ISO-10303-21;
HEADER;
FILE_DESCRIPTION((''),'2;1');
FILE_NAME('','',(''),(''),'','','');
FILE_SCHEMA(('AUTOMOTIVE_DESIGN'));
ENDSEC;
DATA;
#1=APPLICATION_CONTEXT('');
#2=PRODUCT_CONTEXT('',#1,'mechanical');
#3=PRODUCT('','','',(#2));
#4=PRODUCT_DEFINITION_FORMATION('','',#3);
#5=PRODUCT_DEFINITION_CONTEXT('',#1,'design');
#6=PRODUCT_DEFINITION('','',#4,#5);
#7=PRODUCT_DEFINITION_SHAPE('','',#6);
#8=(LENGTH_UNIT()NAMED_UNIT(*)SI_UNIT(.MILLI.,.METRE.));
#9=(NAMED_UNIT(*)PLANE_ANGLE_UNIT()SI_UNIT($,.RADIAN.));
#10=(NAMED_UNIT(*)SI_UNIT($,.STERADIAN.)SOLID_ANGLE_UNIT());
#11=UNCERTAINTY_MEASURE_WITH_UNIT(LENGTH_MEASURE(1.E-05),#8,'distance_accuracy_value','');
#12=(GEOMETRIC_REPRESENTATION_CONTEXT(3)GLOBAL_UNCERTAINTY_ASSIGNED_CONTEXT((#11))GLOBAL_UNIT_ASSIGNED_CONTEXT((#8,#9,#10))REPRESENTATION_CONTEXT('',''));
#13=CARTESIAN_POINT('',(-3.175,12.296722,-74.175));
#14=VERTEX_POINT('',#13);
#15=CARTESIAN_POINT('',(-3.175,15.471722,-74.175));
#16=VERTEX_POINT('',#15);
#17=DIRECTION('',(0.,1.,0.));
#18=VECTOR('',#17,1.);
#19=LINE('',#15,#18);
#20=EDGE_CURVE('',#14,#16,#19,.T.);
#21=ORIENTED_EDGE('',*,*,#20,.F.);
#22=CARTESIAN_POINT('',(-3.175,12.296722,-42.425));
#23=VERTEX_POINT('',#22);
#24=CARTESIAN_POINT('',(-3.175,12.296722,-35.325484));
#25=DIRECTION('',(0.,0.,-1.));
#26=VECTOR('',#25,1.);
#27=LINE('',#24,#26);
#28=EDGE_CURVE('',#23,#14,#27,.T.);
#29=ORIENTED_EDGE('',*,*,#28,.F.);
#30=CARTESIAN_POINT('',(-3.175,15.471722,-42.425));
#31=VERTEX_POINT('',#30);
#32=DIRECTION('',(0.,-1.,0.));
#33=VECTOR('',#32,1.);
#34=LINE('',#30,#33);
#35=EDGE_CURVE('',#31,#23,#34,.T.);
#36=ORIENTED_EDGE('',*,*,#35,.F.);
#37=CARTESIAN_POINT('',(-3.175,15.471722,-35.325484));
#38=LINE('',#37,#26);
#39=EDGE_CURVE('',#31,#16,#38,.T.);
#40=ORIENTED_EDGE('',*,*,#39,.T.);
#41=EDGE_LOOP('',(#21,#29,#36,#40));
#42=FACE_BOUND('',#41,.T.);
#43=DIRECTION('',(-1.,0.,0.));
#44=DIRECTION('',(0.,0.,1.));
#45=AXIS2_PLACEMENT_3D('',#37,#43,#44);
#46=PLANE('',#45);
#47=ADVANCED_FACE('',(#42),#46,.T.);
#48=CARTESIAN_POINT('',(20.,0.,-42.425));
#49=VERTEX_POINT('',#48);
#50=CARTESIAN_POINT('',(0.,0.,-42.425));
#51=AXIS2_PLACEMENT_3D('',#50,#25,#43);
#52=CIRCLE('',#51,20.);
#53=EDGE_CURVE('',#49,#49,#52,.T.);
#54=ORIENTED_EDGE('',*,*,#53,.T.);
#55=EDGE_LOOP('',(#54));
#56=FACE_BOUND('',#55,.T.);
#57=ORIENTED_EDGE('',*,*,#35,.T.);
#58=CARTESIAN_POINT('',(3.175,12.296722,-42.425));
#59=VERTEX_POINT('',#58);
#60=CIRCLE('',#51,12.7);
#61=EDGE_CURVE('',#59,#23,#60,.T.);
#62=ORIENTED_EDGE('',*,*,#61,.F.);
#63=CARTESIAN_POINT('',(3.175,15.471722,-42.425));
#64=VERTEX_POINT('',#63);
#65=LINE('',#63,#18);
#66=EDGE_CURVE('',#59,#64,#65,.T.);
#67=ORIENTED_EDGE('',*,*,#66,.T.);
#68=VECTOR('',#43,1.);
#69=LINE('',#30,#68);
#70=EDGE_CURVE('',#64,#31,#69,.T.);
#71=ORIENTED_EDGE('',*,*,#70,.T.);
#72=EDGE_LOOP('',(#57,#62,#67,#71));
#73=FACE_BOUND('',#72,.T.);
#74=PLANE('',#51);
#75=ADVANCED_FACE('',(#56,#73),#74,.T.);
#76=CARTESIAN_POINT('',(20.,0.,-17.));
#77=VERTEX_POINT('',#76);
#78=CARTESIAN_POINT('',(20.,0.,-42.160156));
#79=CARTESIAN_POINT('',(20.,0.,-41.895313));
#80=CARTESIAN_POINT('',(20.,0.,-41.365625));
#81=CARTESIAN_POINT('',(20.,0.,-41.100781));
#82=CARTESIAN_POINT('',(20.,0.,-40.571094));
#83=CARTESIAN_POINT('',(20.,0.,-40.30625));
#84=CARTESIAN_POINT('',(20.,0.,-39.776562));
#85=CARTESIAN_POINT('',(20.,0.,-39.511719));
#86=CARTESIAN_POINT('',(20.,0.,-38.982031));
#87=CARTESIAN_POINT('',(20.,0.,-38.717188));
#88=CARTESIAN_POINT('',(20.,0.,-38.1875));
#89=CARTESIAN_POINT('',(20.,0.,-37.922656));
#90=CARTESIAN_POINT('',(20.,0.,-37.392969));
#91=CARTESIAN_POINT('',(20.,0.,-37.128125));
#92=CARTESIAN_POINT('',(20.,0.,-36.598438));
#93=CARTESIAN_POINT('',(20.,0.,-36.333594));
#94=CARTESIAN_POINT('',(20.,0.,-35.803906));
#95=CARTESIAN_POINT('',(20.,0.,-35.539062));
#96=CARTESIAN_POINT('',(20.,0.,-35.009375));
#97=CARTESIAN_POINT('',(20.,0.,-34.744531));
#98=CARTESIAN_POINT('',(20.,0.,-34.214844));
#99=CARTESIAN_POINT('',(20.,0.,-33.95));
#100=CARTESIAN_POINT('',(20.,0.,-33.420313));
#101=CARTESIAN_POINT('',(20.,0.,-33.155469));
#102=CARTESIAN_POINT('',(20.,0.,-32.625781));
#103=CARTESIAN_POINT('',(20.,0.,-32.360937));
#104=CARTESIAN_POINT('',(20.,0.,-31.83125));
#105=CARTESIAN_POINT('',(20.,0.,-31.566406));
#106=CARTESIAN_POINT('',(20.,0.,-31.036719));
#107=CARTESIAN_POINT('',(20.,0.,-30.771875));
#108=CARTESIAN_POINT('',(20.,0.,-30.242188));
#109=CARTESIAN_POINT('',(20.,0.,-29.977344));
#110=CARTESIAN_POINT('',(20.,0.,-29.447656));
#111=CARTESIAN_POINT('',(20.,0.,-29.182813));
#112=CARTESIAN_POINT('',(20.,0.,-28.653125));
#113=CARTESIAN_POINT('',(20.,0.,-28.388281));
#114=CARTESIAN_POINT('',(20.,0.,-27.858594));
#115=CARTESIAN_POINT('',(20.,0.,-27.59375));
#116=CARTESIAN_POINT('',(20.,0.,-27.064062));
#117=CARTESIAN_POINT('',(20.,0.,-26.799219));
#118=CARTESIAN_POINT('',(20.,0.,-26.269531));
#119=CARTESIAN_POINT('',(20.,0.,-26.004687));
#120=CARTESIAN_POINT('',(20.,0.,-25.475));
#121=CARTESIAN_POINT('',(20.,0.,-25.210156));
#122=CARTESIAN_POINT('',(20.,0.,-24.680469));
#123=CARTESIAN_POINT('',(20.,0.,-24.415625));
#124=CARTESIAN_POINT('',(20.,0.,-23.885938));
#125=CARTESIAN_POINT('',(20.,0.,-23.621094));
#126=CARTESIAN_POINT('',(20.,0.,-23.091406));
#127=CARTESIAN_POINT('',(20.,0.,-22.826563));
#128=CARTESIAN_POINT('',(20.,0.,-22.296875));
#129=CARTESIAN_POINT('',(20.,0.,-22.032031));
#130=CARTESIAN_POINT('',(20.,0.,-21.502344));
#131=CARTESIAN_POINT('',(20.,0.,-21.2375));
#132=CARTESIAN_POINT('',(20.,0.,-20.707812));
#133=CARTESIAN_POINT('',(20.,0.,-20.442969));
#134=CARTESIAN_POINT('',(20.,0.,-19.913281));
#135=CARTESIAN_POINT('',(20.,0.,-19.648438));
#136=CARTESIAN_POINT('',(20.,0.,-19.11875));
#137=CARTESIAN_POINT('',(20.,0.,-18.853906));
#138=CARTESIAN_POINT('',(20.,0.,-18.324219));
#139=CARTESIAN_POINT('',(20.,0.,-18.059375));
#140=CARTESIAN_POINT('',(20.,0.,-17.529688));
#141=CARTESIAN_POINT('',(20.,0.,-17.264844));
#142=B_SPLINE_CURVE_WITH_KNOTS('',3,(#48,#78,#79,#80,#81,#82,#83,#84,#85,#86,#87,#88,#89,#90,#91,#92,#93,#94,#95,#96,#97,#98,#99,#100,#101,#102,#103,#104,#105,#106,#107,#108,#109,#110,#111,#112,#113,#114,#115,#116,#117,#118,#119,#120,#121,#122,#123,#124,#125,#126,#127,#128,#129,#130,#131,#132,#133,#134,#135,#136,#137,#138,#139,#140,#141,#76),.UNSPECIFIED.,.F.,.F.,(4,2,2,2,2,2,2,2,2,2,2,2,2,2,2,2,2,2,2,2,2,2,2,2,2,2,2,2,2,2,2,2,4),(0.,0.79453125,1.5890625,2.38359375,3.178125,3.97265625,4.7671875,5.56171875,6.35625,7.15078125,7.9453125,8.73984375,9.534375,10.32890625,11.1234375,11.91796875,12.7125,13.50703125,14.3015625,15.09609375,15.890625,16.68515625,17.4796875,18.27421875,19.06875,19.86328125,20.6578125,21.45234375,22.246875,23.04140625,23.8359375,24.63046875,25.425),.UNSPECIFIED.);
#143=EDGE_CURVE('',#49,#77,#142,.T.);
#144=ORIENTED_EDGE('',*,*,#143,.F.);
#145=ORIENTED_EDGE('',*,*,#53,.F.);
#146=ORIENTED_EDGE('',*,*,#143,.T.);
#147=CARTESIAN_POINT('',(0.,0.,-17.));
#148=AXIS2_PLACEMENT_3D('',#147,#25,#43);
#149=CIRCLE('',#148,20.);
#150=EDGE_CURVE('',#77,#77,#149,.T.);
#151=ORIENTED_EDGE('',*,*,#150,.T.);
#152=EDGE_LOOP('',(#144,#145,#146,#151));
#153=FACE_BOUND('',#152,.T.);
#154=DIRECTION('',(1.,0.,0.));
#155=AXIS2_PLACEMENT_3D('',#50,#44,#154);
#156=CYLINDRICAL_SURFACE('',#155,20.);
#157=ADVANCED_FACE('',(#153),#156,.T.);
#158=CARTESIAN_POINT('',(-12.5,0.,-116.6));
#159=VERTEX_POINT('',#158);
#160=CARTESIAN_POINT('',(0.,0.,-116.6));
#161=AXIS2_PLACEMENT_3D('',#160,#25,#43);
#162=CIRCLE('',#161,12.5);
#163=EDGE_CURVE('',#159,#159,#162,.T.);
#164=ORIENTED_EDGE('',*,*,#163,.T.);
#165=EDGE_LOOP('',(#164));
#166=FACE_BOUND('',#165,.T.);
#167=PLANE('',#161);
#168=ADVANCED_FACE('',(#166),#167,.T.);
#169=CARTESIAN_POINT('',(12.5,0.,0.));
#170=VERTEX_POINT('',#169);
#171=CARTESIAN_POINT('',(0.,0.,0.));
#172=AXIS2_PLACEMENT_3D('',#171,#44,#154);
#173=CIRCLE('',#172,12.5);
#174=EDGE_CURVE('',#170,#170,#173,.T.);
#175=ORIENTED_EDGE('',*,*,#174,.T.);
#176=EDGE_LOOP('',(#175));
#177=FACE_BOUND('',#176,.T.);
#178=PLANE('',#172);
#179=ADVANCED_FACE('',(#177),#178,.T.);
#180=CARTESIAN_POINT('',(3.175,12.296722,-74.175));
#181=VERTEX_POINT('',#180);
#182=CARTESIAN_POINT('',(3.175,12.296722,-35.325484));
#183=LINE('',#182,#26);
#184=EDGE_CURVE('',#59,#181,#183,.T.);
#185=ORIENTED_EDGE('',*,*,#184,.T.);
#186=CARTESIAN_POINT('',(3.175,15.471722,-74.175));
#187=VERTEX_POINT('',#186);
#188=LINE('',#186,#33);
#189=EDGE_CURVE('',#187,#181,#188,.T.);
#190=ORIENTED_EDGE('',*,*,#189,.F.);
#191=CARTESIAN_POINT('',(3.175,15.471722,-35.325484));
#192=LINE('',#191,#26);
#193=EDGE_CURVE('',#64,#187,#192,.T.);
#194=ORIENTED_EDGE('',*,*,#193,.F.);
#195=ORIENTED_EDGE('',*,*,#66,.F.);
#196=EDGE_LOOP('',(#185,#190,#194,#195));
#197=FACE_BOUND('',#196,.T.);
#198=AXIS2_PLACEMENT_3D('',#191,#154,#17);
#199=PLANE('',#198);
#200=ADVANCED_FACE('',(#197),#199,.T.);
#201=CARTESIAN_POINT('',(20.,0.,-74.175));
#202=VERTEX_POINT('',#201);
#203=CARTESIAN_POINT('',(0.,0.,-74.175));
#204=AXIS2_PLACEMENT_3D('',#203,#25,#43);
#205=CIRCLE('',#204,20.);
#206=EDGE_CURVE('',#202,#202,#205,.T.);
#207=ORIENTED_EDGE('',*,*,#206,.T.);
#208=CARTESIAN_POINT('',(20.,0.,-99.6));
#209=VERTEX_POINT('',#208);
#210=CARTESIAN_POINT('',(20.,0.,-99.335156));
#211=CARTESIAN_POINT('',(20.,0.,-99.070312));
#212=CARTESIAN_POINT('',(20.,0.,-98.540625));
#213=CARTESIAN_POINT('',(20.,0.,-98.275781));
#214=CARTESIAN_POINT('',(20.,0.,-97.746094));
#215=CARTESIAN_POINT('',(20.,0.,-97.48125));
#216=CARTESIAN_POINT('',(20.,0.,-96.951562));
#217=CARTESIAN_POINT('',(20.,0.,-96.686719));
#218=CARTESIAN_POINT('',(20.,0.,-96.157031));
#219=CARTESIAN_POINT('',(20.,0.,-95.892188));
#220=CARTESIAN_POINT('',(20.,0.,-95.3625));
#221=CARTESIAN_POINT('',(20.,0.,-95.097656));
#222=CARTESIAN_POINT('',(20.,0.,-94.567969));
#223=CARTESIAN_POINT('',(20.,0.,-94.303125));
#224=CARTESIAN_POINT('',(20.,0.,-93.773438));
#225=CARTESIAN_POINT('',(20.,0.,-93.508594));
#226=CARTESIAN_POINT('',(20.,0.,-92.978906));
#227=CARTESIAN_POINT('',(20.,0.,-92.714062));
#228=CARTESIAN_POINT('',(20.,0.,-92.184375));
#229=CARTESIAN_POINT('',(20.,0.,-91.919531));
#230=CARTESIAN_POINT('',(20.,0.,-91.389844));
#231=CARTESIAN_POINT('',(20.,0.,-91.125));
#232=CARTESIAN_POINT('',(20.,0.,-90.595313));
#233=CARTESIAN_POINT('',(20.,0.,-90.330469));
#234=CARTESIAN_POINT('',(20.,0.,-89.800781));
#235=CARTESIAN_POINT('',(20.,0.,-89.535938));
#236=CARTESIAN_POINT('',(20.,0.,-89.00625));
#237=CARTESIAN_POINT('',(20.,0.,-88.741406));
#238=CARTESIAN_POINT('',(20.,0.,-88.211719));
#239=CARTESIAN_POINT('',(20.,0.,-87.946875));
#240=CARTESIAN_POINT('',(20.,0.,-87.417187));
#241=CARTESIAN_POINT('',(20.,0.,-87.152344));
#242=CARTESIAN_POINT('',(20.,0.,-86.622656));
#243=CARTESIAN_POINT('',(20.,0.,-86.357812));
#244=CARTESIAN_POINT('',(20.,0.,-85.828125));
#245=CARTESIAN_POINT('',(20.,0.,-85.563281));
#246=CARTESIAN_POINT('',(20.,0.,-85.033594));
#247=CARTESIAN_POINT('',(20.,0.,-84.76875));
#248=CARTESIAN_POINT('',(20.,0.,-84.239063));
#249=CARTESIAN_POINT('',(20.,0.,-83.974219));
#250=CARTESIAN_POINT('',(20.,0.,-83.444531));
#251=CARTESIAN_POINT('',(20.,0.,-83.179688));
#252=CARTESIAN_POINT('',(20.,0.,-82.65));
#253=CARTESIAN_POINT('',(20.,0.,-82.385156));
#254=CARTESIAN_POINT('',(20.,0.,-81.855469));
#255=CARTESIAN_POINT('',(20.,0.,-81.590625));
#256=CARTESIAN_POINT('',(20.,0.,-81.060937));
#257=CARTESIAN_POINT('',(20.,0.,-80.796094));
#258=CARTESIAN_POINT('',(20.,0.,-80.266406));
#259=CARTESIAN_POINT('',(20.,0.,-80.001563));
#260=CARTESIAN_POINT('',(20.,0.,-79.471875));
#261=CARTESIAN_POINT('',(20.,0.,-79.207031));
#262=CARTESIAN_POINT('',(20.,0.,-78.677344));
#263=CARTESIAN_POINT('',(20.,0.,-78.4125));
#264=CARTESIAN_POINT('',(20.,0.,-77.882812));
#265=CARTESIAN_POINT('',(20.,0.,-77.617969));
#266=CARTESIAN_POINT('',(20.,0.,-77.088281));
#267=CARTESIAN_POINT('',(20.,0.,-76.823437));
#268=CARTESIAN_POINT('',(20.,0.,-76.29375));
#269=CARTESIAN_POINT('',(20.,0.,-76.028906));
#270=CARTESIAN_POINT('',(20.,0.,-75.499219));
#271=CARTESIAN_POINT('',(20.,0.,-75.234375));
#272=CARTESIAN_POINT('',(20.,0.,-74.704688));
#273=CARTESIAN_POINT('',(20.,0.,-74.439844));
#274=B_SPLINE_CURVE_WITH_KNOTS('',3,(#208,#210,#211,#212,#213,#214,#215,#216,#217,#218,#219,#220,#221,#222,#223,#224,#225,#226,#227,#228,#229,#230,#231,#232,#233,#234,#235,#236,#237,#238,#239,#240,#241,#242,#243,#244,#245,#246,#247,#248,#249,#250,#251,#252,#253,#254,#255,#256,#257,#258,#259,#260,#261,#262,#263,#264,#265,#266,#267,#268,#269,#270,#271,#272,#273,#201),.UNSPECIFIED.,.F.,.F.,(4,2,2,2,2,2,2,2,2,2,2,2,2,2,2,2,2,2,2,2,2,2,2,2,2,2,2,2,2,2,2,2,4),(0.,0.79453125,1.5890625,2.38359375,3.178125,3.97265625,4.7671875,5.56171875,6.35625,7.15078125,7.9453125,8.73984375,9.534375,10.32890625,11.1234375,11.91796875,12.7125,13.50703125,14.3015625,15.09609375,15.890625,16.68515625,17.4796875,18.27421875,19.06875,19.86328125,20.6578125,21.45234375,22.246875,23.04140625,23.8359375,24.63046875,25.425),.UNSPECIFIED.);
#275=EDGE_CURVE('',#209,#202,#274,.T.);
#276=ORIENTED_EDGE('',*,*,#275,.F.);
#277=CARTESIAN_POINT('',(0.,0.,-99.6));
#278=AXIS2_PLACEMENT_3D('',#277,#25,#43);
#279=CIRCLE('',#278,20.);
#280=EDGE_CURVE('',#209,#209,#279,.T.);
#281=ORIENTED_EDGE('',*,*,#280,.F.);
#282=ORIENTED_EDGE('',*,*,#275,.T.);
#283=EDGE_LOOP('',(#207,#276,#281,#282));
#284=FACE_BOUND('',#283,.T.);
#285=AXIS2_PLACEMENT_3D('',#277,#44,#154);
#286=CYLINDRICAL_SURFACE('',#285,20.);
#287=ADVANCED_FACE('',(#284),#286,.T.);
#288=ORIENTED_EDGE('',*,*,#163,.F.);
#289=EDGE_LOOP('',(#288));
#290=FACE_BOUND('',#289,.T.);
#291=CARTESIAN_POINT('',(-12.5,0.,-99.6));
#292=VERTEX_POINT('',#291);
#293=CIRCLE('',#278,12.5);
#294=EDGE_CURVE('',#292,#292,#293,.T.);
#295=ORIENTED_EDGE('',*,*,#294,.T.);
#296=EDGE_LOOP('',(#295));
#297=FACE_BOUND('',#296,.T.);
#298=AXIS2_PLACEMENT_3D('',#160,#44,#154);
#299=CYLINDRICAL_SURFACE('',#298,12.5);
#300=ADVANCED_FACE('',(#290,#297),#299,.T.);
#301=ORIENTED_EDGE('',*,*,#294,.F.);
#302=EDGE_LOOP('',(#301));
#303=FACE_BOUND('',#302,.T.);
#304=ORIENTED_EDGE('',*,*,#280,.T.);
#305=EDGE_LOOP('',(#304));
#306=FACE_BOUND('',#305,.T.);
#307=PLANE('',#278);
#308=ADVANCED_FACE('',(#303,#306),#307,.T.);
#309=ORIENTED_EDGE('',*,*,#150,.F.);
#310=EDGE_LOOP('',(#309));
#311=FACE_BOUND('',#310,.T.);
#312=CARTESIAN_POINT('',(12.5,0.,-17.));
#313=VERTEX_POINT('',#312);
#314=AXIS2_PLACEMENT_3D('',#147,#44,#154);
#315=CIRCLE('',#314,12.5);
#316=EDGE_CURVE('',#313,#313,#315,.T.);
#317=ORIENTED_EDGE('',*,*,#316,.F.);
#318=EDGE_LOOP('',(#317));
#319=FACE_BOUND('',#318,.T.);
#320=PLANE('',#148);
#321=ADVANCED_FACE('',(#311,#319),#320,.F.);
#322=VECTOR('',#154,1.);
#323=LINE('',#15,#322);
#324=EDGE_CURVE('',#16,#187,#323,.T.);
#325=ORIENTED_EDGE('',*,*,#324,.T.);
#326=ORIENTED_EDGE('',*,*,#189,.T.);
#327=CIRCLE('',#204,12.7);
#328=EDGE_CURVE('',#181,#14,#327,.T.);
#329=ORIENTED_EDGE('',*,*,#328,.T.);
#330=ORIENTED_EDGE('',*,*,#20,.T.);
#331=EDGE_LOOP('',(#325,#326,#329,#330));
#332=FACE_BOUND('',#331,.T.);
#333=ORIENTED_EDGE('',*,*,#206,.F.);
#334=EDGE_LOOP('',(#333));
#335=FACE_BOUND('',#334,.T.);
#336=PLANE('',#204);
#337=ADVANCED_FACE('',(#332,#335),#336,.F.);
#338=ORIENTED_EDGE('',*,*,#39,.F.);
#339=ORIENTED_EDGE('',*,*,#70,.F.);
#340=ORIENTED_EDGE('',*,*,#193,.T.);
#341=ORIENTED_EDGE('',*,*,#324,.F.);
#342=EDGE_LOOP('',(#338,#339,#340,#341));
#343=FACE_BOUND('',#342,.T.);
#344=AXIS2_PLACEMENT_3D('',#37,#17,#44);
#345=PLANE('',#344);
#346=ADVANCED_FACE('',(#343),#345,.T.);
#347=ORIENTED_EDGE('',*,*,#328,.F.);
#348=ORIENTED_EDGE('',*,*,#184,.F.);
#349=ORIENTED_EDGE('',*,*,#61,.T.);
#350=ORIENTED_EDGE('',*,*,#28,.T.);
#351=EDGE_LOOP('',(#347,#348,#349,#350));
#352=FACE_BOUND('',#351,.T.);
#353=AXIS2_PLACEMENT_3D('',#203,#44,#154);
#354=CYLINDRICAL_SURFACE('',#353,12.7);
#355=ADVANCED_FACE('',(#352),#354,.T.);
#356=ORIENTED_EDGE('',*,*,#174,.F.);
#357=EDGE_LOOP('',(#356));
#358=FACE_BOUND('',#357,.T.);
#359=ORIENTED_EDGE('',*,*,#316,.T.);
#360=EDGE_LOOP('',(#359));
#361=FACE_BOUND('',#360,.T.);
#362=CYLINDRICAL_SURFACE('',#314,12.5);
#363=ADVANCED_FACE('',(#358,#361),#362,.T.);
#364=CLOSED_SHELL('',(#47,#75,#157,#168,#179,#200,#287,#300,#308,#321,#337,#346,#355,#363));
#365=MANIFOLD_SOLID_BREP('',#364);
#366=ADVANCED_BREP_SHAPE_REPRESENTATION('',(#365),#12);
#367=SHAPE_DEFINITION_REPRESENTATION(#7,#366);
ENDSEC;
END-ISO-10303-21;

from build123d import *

# Parameters (mm, degrees)
SKETCH1_R           = 12.5
BOSS_EXTRUDE1_DEPTH = 17
SKETCH2_R           = 20
BOSS_EXTRUDE2_DEPTH = 25.425
SKETCH3_R           = 12.7
BOSS_EXTRUDE3_DEPTH = 31.75
SKETCH6_W           = 6.35
SKETCH6_H           = 3.175
BOSS_EXTRUDE6_DEPTH = 31.75
SKETCH4_R           = 20
BOSS_EXTRUDE4_DEPTH = 25.425
SKETCH5_R           = 12.5
BOSS_EXTRUDE5_DEPTH = 17


with BuildPart() as part:
    # Sketch1 → Boss-Extrude1 (new body)
    with BuildSketch(Plane.XY):
        Circle(SKETCH1_R)
    extrude(amount=-BOSS_EXTRUDE1_DEPTH)

    # Sketch2 → Boss-Extrude2 (add)
    with BuildSketch(Plane(origin=(0, 0, -17), x_dir=(-1, 0, 0), z_dir=(0, 0, -1))):
        with Locations(Location((0, 0, 0), (0, 0, 180))):
            Circle(SKETCH2_R)
    extrude(amount=BOSS_EXTRUDE2_DEPTH)

    # Sketch3 → Boss-Extrude3 (add)
    with BuildSketch(Plane(origin=(0, 0, -42.425), x_dir=(-1, 0, 0), z_dir=(0, 0, -1))):
        Circle(SKETCH3_R)
    extrude(amount=BOSS_EXTRUDE3_DEPTH)

    # Sketch6 → Boss-Extrude6 (add)
    with BuildSketch(Plane(origin=(0, 0, -74.175), x_dir=(-1, 0, 0), z_dir=(0, 0, -1))):
        with Locations((0, 13.884222124)):
            Rectangle(SKETCH6_W, SKETCH6_H)
    extrude(amount=-BOSS_EXTRUDE6_DEPTH)

    # Sketch4 → Boss-Extrude4 (add)
    with BuildSketch(Plane(origin=(0, 0, -74.175), x_dir=(-1, 0, 0), z_dir=(0, 0, -1))):
        with Locations(Location((0, 0, 0), (0, 0, 180))):
            Circle(SKETCH4_R)
    extrude(amount=BOSS_EXTRUDE4_DEPTH)

    # Sketch5 → Boss-Extrude5 (add)
    with BuildSketch(Plane(origin=(0, 0, -99.6), x_dir=(-1, 0, 0), z_dir=(0, 0, -1))):
        with Locations(Location((0, 0, 0), (0, 0, 180))):
            Circle(SKETCH5_R)
    extrude(amount=BOSS_EXTRUDE5_DEPTH)


solid = part.part
